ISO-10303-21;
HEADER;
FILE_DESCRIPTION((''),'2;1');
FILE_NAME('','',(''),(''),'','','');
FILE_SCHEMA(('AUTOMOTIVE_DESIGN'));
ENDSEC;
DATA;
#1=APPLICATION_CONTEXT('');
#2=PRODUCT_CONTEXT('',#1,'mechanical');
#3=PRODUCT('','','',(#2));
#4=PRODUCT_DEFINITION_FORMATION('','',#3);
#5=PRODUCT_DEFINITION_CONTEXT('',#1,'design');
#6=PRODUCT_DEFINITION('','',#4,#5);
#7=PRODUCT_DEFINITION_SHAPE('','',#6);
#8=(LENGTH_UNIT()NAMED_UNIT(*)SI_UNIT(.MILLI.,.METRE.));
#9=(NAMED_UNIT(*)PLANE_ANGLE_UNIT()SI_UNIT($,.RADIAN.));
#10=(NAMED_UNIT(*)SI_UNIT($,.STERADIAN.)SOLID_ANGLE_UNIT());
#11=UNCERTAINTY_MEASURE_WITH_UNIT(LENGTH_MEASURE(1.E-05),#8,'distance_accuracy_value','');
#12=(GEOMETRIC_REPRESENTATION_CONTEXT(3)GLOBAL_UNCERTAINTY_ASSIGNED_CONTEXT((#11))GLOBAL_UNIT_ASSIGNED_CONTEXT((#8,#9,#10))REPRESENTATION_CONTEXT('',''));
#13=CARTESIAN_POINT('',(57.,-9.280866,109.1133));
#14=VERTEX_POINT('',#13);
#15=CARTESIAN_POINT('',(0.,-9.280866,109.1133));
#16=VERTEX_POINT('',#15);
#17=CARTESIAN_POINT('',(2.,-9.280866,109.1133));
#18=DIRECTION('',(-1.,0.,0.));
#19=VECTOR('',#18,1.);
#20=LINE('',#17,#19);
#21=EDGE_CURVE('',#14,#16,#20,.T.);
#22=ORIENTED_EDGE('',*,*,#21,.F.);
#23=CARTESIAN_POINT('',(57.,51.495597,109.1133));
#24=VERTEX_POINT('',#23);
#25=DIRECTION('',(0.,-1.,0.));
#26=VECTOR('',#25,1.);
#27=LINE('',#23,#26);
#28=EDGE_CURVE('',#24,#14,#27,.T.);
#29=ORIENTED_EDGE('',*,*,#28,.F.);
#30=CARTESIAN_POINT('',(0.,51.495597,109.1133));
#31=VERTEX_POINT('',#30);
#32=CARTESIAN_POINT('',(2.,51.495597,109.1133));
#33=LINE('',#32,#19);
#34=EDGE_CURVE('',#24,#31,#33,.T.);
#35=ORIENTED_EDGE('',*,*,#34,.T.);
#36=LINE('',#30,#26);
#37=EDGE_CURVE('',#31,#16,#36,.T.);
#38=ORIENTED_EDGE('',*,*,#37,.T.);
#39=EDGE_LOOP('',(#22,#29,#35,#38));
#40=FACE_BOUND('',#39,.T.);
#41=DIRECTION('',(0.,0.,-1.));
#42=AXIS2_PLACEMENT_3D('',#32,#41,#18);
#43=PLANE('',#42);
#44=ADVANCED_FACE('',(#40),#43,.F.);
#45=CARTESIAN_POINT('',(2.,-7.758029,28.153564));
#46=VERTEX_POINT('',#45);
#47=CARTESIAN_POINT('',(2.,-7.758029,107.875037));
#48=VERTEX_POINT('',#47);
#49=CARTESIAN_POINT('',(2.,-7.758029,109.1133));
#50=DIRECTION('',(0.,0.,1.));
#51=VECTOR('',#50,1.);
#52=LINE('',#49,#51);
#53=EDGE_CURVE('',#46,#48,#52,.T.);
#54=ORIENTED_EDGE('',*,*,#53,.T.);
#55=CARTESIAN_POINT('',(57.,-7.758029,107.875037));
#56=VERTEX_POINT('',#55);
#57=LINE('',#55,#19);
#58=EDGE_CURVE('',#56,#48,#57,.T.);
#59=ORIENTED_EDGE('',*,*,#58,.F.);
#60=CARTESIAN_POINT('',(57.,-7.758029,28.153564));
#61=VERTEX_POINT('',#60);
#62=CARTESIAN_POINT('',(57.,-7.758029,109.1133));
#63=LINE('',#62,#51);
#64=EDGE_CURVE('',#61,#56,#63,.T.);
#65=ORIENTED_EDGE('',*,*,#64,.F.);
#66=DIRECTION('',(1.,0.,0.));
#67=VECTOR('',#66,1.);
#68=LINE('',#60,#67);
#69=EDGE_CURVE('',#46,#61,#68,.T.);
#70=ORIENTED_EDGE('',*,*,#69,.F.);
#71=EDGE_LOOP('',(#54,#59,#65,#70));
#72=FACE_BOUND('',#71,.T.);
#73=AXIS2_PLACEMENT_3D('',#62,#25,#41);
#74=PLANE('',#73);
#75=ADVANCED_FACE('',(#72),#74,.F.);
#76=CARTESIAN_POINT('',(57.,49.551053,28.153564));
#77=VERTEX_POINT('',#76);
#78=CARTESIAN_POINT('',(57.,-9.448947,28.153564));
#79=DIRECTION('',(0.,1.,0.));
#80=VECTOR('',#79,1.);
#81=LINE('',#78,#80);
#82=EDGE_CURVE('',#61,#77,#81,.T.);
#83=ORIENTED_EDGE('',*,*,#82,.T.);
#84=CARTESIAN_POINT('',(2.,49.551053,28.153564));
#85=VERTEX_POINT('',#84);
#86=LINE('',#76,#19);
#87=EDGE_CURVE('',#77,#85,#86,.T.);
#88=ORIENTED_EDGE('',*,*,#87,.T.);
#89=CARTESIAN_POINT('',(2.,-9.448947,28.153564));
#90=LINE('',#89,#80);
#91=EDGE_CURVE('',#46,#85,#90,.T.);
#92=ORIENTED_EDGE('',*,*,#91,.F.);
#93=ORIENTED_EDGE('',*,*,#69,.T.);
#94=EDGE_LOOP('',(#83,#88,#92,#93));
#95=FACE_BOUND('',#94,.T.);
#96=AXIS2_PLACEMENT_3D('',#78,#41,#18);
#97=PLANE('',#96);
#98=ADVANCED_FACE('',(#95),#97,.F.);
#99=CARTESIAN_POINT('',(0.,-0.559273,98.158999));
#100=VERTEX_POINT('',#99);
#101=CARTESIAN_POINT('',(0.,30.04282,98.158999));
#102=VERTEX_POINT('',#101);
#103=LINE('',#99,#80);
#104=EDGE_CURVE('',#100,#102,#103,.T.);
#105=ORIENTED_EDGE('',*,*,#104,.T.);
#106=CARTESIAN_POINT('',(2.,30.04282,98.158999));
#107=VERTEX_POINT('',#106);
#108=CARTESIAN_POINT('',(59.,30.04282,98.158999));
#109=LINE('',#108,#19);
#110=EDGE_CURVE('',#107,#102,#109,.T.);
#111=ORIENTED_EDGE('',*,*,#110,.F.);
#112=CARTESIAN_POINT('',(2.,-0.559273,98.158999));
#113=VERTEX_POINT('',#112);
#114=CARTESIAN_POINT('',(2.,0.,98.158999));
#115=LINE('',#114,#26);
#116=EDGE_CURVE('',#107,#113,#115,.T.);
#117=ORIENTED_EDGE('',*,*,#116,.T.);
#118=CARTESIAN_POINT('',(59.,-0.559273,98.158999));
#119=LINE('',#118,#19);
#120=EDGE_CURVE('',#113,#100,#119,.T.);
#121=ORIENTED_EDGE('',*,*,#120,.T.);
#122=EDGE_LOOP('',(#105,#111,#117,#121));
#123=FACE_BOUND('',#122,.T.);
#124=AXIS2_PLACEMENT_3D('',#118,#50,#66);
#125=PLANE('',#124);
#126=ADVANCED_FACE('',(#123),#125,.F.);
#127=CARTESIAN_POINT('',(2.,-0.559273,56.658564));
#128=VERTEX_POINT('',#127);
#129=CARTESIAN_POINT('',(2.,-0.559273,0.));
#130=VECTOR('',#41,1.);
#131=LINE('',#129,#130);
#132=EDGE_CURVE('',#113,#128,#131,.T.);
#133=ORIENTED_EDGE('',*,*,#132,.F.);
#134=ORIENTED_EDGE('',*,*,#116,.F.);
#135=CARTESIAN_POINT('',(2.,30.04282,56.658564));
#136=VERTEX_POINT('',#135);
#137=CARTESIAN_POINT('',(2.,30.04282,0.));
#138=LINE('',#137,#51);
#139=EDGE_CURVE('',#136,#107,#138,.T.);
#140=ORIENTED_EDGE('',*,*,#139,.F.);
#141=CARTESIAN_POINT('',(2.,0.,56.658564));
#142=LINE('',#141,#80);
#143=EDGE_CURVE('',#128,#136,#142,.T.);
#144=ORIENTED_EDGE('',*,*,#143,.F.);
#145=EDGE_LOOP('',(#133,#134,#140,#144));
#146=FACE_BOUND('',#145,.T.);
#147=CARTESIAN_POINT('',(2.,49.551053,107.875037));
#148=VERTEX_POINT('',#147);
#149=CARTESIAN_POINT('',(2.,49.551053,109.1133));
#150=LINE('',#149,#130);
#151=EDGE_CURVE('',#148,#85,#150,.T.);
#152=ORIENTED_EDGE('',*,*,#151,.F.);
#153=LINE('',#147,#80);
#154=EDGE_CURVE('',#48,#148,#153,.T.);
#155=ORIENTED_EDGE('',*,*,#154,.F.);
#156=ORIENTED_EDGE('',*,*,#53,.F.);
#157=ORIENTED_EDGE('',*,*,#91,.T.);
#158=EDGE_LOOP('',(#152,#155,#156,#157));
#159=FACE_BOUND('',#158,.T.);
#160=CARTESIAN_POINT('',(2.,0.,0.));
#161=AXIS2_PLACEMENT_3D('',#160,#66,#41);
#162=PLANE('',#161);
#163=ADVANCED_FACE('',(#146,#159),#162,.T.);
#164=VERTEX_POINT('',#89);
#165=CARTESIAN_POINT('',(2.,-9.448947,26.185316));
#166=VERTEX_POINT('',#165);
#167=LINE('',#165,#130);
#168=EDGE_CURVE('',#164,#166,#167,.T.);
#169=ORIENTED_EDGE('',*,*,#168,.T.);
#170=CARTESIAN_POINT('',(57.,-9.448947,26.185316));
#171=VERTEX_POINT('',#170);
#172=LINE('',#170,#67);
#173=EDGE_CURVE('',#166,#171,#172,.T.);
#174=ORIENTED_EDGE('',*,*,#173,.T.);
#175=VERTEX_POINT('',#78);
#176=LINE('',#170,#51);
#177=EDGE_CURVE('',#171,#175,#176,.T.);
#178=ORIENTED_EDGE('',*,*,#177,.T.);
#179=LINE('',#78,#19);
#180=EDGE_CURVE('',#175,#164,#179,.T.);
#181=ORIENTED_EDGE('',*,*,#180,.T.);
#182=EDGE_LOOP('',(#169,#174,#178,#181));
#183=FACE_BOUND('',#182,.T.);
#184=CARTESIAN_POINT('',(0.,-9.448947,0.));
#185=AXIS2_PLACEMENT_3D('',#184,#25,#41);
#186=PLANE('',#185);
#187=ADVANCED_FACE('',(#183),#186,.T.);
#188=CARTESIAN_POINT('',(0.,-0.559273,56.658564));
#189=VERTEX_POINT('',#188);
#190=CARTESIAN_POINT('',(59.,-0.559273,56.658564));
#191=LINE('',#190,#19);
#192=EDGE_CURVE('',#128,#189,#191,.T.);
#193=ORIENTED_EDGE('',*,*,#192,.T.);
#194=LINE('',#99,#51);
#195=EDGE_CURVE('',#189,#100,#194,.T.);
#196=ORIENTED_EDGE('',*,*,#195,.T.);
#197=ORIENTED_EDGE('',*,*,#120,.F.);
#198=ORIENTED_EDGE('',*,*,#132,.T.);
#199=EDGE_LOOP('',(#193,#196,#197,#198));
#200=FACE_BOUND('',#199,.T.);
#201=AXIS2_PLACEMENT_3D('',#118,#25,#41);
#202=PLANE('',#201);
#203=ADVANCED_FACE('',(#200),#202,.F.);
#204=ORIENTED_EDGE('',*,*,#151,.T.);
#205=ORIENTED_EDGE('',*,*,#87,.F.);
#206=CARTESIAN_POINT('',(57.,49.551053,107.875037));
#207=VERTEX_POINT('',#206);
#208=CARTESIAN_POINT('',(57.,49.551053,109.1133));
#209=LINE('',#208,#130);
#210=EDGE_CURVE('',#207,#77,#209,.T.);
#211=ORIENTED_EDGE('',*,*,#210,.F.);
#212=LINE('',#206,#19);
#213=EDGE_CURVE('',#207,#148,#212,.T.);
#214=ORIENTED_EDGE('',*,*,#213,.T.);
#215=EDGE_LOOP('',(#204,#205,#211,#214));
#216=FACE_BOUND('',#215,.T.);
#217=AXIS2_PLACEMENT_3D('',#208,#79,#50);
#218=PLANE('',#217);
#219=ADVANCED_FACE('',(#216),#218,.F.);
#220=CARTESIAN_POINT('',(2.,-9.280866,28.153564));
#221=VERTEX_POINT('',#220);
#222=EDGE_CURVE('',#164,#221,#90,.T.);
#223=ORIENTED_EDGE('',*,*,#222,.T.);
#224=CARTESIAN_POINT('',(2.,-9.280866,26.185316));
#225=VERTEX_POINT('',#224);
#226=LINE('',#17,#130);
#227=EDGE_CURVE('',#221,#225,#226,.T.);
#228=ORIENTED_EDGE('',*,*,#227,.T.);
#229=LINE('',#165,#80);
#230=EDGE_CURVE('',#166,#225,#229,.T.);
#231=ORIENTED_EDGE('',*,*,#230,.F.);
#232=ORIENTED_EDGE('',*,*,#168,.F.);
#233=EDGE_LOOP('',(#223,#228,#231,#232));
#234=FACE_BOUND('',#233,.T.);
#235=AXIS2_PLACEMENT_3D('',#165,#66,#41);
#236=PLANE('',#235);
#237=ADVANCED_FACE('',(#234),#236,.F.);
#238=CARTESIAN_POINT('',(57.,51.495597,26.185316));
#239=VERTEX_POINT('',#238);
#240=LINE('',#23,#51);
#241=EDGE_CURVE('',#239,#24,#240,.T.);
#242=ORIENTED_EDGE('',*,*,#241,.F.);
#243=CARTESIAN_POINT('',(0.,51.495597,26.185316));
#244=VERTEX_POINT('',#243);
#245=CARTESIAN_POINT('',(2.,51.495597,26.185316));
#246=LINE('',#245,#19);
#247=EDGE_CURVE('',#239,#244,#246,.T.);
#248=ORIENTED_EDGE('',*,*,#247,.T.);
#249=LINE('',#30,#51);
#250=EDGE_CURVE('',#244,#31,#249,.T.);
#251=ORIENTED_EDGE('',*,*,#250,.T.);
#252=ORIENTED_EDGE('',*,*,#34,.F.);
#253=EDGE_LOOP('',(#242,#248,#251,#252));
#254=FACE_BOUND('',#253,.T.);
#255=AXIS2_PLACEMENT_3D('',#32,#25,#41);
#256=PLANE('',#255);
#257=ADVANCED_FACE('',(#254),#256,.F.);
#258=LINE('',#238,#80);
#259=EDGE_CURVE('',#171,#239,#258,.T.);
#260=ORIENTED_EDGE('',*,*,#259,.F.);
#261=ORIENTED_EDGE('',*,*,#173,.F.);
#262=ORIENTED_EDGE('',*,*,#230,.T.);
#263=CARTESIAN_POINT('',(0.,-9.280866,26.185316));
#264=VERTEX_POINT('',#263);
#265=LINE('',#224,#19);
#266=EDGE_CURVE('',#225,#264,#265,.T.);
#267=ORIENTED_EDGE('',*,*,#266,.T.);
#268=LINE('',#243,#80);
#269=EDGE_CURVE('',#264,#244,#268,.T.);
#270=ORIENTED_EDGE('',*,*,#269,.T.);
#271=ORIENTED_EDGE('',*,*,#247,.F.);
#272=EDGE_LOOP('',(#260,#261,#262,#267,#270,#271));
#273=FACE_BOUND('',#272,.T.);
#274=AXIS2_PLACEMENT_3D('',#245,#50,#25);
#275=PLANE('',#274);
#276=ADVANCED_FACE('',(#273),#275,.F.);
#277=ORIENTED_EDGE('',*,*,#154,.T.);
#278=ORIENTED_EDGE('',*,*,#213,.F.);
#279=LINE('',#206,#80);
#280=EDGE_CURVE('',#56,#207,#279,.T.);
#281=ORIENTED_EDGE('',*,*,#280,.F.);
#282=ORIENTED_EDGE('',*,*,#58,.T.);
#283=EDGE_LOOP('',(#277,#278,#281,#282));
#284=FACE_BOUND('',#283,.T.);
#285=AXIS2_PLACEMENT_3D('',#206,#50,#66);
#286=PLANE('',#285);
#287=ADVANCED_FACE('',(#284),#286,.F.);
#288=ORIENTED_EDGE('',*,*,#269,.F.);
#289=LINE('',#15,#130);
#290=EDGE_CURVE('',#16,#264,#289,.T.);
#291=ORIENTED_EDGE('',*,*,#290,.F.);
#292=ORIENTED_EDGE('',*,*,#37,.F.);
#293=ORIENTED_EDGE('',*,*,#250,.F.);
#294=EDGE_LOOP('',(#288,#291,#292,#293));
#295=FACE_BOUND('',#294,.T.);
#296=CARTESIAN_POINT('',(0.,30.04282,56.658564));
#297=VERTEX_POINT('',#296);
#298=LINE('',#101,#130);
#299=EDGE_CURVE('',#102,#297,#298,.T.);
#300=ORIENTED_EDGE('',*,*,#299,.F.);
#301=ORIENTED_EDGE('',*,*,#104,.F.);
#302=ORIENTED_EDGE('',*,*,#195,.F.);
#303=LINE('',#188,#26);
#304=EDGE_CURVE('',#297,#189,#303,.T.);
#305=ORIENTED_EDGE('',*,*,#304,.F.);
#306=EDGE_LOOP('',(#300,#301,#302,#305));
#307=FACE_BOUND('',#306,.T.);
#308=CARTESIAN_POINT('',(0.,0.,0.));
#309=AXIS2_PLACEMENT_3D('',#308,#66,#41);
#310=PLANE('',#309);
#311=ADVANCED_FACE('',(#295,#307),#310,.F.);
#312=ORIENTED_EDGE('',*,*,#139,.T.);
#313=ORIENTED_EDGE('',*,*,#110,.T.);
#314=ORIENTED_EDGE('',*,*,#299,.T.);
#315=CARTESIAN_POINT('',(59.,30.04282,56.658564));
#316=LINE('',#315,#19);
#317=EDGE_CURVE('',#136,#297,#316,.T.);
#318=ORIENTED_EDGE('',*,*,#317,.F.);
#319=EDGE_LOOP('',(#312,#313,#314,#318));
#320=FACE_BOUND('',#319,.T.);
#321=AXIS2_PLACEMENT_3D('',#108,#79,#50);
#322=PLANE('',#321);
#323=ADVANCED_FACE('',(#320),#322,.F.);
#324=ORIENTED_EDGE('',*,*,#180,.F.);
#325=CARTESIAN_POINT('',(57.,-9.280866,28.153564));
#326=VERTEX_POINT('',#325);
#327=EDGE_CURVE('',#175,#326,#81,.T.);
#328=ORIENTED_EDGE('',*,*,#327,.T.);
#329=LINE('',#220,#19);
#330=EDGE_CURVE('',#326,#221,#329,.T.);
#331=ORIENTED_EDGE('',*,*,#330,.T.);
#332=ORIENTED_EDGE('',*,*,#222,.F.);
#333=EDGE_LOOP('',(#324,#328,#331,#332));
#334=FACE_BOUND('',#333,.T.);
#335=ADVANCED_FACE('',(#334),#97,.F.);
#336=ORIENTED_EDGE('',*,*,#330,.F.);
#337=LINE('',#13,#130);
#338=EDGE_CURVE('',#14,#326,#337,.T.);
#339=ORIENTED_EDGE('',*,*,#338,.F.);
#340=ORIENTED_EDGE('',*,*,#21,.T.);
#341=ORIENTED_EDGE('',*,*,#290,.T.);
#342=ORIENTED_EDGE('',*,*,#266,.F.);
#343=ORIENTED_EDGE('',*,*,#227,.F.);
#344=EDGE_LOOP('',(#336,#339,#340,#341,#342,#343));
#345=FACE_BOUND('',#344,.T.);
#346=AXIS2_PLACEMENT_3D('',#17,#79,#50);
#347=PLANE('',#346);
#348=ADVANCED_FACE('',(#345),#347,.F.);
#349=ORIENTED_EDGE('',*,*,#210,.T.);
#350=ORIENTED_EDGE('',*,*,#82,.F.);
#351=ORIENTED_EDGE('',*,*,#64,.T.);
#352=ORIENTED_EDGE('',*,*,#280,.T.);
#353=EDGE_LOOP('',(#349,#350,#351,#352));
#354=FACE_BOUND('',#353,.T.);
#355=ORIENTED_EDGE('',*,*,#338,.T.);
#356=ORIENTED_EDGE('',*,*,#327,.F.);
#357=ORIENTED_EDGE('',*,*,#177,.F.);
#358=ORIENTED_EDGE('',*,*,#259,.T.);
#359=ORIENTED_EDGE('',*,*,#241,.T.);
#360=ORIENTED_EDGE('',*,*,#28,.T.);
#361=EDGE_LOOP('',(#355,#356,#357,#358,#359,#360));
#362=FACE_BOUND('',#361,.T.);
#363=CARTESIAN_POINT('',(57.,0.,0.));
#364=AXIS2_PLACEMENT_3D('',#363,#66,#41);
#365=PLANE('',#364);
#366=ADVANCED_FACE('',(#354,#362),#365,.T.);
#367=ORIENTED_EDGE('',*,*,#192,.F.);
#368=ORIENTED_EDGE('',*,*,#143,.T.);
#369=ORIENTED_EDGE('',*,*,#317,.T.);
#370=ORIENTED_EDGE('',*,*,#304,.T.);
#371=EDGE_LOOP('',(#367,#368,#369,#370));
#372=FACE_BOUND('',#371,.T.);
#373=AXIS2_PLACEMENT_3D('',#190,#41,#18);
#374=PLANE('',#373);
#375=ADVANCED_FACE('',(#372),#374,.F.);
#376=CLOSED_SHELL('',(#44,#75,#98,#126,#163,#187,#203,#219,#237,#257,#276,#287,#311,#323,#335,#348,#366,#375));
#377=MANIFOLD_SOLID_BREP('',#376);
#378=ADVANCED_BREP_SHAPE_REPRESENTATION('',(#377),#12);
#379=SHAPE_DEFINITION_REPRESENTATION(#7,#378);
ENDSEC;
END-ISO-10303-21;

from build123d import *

# Parameters (mm, degrees)
SKETCH1_W           = 82.927984002
SKETCH1_H           = 60.776462656
BOSS_EXTRUDE1_DEPTH = 2
SKETCH2_W           = 82.927984002
SKETCH2_H           = 1.944543981
BOSS_EXTRUDE2_DEPTH = 55
SKETCH3_W           = 82.927984002
SKETCH3_H           = 1.52283727
BOSS_EXTRUDE3_DEPTH = 55
SKETCH4_W           = 1.238263506
SKETCH4_H           = 57.309081405
BOSS_EXTRUDE4_DEPTH = 55
SKETCH5_W           = 55
SKETCH5_H           = 1.968247646
BOSS_EXTRUDE5_DEPTH = 59
SKETCH6_W           = 41.500434797
SKETCH6_H           = 30.602093287
CUT_EXTRUDE1_DEPTH  = 59


with BuildPart() as part:
    # Sketch1 → Boss-Extrude1 (new body)
    with BuildSketch(Plane(origin=(0, 0, 0), x_dir=(0, 0, -1), z_dir=(1, 0, 0))):
        with Locations((-67.649308223, 21.107365524)):
            Rectangle(SKETCH1_W, SKETCH1_H)
    extrude(amount=BOSS_EXTRUDE1_DEPTH)

    # Sketch2 → Boss-Extrude2 (add)
    with BuildSketch(Plane(origin=(2, 0, 0), x_dir=(0, 0, -1), z_dir=(1, 0, 0))):
        with Locations((-67.649308223, 50.523324862)):
            Rectangle(SKETCH2_W, SKETCH2_H)
    extrude(amount=BOSS_EXTRUDE2_DEPTH)

    # Sketch3 → Boss-Extrude3 (add)
    with BuildSketch(Plane(origin=(2, 0, 0), x_dir=(0, 0, -1), z_dir=(1, 0, 0))):
        with Locations((-67.649308223, -8.519447169)):
            Rectangle(SKETCH3_W, SKETCH3_H)
    extrude(amount=BOSS_EXTRUDE3_DEPTH)

    # Sketch4 → Boss-Extrude4 (add)
    with BuildSketch(Plane(origin=(2, 0, 0), x_dir=(0, 0, -1), z_dir=(1, 0, 0))):
        with Locations((-108.494168471, 20.896512169)):
            Rectangle(SKETCH4_W, SKETCH4_H)
    extrude(amount=BOSS_EXTRUDE4_DEPTH)

    # Sketch5 → Boss-Extrude5 (add)
    with BuildSketch(Plane(origin=(0, 49.551052871, 0), x_dir=(-1, 0, 0), z_dir=(0, -1, 0))):
        with Locations((-29.5, -27.169440045)):
            Rectangle(SKETCH5_W, SKETCH5_H)
    extrude(amount=BOSS_EXTRUDE5_DEPTH)

    # Sketch6 → Cut-Extrude1 (cut)
    with BuildSketch(Plane.ZY):
        with Locations((77.408781478, 14.741773436)):
            Rectangle(SKETCH6_W, SKETCH6_H)
    extrude(amount=-CUT_EXTRUDE1_DEPTH, mode=Mode.SUBTRACT)


solid = part.part
